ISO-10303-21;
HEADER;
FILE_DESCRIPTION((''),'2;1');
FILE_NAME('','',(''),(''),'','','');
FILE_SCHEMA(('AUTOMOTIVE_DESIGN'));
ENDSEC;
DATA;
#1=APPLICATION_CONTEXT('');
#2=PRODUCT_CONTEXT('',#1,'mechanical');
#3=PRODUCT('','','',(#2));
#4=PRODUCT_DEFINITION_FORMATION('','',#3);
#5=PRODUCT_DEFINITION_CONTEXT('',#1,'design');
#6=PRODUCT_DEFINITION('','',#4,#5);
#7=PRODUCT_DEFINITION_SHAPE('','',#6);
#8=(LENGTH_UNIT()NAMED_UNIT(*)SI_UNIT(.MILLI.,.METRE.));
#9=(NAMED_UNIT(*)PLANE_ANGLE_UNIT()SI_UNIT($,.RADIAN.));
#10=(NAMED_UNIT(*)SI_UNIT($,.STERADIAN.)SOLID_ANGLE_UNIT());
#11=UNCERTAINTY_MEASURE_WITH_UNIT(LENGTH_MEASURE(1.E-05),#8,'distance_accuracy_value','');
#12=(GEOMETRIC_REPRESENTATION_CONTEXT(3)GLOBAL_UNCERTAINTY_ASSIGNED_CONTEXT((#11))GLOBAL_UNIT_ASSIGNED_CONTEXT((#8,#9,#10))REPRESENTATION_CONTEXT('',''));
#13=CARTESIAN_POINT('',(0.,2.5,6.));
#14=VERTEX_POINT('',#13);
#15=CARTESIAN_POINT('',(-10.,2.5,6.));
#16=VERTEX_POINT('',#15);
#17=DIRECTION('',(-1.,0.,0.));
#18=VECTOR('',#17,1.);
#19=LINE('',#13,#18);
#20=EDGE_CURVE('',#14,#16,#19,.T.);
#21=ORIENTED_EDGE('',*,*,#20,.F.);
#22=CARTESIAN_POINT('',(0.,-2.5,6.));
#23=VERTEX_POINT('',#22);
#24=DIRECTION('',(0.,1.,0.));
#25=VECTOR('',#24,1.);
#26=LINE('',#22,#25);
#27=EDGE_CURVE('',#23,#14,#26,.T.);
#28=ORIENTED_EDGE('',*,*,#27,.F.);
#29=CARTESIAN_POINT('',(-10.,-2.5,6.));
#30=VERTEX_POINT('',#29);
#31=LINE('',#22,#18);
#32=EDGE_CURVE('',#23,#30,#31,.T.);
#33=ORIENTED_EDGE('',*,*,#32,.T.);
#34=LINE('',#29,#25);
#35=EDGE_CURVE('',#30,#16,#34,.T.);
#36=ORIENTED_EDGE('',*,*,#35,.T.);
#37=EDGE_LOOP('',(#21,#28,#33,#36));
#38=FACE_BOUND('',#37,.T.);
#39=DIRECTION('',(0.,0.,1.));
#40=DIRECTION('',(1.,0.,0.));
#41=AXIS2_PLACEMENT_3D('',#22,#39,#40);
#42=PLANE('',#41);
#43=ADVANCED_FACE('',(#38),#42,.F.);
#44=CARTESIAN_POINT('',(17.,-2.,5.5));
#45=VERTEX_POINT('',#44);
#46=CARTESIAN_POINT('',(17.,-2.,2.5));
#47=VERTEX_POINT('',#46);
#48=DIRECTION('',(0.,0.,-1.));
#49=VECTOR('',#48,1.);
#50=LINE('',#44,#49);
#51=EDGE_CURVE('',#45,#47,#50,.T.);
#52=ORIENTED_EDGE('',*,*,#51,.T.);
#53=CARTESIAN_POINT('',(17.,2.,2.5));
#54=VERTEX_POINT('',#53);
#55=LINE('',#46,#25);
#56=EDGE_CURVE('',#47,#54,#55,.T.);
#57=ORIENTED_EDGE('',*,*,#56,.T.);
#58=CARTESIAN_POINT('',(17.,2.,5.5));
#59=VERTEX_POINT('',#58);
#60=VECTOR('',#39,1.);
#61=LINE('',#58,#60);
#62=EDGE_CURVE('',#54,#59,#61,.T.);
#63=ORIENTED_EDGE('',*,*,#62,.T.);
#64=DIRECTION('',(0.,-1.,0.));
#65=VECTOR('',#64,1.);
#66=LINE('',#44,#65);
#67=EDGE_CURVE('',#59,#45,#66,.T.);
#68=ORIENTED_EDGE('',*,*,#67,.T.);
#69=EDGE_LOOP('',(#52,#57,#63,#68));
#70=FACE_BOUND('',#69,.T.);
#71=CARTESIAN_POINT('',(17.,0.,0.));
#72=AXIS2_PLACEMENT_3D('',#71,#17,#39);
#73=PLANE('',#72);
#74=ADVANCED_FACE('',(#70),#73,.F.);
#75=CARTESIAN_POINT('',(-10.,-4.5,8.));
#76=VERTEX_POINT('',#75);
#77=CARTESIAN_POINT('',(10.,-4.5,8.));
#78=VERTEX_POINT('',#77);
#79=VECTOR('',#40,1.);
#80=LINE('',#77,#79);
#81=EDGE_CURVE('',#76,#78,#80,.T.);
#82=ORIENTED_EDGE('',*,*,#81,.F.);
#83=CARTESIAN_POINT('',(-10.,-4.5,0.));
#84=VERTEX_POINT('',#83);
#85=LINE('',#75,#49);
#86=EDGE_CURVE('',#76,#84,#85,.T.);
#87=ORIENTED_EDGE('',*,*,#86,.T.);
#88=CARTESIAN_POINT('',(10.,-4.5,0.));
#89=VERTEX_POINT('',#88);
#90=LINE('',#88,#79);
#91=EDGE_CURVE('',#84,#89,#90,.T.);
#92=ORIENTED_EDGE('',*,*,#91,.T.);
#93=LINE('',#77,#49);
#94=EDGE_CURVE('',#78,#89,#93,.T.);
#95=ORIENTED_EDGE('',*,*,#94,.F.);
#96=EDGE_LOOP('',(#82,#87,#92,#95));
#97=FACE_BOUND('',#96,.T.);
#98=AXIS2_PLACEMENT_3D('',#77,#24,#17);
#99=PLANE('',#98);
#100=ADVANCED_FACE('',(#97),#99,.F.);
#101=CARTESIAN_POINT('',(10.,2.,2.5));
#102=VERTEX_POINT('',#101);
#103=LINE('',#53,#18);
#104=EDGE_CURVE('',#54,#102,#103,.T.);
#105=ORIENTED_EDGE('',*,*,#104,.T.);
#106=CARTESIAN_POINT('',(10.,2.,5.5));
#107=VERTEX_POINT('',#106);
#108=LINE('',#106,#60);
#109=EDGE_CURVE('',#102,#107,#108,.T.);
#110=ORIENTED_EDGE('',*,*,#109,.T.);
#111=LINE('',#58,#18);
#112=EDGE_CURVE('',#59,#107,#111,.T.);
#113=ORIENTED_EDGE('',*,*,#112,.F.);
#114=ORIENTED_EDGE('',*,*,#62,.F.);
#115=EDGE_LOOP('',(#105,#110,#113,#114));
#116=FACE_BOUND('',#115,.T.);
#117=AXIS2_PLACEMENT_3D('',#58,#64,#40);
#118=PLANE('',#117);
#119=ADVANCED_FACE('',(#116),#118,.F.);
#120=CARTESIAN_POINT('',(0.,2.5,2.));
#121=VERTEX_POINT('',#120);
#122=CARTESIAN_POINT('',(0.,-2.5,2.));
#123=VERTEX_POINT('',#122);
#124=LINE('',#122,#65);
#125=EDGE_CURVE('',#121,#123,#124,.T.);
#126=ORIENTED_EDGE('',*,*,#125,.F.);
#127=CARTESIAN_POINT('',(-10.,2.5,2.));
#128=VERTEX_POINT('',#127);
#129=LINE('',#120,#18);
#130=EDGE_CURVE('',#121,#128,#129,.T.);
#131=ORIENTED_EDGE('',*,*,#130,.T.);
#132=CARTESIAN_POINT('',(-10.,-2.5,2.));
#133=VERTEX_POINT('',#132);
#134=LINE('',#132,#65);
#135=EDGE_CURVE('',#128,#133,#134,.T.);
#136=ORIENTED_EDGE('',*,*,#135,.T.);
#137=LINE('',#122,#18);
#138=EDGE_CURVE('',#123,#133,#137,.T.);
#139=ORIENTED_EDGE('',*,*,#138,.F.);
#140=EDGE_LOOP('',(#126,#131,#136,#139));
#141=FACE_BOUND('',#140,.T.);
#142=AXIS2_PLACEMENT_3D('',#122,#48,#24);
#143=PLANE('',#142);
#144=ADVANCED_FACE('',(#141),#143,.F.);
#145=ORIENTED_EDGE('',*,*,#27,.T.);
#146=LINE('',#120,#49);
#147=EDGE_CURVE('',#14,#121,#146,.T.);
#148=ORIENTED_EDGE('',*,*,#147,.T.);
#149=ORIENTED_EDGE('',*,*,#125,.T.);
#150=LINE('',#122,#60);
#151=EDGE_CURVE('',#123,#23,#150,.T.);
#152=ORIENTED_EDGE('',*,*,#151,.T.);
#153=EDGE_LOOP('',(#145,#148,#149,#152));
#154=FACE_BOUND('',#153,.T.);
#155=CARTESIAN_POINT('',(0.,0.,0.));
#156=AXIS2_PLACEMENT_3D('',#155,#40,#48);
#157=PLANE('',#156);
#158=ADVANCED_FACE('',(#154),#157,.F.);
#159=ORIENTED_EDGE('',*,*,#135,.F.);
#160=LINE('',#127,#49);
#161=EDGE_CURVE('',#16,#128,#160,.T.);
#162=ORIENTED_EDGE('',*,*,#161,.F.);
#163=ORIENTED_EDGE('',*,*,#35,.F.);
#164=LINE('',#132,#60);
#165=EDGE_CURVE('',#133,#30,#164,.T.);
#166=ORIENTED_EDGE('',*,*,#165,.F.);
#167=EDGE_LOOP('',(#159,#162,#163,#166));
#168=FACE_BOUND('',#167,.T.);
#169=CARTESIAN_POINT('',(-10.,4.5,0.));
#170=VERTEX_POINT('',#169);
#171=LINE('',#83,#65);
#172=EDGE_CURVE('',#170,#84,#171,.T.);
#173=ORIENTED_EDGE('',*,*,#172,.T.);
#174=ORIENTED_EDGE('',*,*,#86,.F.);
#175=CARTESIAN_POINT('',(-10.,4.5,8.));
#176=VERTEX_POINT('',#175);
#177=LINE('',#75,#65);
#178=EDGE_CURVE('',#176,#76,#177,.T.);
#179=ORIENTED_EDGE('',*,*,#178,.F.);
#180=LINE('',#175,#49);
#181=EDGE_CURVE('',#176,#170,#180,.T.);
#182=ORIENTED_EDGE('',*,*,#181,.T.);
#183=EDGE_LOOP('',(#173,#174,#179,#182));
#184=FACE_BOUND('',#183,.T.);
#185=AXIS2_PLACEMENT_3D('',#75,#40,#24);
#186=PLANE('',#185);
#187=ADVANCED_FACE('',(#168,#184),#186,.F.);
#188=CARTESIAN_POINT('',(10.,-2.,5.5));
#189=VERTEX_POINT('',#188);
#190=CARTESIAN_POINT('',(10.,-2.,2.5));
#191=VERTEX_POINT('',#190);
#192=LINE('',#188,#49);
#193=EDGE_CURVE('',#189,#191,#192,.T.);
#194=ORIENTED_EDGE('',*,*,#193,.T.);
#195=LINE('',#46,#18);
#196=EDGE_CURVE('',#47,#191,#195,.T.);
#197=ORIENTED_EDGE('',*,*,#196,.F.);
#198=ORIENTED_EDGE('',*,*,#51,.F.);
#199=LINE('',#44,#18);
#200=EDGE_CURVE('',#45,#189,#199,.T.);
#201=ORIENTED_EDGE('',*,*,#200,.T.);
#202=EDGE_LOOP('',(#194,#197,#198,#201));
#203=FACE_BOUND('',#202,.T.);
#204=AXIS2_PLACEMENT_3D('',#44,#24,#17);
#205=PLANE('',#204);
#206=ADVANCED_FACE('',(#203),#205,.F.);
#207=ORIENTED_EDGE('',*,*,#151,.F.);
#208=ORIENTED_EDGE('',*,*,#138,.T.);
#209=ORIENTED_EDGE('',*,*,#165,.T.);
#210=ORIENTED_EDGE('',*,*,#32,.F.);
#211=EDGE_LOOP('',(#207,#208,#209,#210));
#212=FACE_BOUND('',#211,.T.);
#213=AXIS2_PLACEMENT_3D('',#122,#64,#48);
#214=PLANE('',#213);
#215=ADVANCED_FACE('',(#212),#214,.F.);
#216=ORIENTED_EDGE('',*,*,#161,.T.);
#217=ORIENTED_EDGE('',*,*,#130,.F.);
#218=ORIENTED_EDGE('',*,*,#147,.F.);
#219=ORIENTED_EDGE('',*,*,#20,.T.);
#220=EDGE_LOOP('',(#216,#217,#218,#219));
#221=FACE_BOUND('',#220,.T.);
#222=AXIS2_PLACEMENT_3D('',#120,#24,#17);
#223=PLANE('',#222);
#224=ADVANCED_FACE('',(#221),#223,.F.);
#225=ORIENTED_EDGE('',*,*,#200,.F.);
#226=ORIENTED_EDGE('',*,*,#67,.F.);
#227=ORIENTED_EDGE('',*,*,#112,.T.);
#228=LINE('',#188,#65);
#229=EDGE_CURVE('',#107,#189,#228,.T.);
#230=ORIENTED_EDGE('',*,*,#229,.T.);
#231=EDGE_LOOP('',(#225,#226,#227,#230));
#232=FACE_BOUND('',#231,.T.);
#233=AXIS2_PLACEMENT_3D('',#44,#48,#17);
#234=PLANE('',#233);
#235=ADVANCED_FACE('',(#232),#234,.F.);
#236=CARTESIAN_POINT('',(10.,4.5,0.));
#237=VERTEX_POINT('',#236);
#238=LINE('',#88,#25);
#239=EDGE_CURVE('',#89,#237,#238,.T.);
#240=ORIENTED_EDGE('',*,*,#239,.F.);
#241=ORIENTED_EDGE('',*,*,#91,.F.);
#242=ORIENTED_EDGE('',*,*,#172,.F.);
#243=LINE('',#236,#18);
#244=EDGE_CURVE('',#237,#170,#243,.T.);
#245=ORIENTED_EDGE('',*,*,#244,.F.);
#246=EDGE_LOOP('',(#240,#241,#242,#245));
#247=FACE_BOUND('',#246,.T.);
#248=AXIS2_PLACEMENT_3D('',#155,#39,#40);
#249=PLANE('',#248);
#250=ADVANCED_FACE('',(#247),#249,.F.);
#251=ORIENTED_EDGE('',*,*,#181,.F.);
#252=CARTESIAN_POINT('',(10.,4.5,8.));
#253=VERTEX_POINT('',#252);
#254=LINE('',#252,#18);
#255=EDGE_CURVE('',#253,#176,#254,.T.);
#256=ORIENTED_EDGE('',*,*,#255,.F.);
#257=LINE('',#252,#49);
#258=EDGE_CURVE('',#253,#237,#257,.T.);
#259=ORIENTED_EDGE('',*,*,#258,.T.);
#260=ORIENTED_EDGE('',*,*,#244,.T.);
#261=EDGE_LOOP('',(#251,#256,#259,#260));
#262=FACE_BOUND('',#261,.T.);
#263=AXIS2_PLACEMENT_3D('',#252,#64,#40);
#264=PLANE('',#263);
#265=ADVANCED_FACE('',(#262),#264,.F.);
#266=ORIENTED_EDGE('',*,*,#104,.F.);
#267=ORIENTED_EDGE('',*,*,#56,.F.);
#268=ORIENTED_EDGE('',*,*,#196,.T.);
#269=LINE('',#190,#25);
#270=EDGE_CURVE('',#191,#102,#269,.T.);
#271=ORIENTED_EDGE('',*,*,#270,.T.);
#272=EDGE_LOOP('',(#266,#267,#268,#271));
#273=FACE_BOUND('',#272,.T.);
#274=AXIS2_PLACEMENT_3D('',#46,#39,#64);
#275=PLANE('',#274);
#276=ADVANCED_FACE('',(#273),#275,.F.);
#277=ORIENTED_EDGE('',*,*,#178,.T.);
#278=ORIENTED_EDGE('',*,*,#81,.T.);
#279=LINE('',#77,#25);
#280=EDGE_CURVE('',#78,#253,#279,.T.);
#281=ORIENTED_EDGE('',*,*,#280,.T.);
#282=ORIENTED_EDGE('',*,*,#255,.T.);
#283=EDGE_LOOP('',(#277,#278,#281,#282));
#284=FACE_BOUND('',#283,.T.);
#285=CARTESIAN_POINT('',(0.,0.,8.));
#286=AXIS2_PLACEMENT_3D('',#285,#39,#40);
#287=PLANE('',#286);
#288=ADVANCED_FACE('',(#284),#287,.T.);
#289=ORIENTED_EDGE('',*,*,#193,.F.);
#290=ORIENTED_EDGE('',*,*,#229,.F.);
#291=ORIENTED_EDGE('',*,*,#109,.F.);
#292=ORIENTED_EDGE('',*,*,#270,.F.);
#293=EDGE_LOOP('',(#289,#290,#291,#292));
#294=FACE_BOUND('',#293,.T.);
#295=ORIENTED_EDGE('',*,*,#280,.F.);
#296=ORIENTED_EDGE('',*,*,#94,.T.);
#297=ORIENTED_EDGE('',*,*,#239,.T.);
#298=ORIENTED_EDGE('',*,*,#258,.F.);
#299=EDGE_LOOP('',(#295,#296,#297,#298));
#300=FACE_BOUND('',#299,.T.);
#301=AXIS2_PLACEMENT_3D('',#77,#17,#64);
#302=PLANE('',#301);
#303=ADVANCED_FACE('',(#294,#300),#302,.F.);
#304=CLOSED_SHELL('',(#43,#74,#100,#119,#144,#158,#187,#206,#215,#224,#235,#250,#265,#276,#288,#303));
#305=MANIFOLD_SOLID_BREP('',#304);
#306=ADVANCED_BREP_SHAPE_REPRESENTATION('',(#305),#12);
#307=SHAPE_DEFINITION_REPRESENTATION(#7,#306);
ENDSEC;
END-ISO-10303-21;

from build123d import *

# Parameters (mm, degrees)
SKETCH2_W           = 20
SKETCH2_H           = 9
BOSS_EXTRUDE1_DEPTH = 8
SKETCH3_W           = 4
SKETCH3_H           = 5
CUT_EXTRUDE1_DEPTH  = 10
SKETCH4_W           = 3
SKETCH4_H           = 4
BOSS_EXTRUDE2_DEPTH = 7


with BuildPart() as part:
    # Sketch2 → Boss-Extrude1 (new body)
    with BuildSketch(Plane.XY):
        Rectangle(SKETCH2_W, SKETCH2_H)
    extrude(amount=BOSS_EXTRUDE1_DEPTH)

    # Sketch3 → Cut-Extrude1 (cut)
    with BuildSketch(Plane.ZY.offset(10)):
        with Locations((4, 0)):
            Rectangle(SKETCH3_W, SKETCH3_H)
    extrude(amount=-CUT_EXTRUDE1_DEPTH, mode=Mode.SUBTRACT)

    # Sketch4 → Boss-Extrude2 (add)
    with BuildSketch(Plane(origin=(10, 0, 0), x_dir=(0, 0, -1), z_dir=(1, 0, 0))):
        with Locations((-4, 0)):
            Rectangle(SKETCH4_W, SKETCH4_H)
    extrude(amount=BOSS_EXTRUDE2_DEPTH)


solid = part.part
